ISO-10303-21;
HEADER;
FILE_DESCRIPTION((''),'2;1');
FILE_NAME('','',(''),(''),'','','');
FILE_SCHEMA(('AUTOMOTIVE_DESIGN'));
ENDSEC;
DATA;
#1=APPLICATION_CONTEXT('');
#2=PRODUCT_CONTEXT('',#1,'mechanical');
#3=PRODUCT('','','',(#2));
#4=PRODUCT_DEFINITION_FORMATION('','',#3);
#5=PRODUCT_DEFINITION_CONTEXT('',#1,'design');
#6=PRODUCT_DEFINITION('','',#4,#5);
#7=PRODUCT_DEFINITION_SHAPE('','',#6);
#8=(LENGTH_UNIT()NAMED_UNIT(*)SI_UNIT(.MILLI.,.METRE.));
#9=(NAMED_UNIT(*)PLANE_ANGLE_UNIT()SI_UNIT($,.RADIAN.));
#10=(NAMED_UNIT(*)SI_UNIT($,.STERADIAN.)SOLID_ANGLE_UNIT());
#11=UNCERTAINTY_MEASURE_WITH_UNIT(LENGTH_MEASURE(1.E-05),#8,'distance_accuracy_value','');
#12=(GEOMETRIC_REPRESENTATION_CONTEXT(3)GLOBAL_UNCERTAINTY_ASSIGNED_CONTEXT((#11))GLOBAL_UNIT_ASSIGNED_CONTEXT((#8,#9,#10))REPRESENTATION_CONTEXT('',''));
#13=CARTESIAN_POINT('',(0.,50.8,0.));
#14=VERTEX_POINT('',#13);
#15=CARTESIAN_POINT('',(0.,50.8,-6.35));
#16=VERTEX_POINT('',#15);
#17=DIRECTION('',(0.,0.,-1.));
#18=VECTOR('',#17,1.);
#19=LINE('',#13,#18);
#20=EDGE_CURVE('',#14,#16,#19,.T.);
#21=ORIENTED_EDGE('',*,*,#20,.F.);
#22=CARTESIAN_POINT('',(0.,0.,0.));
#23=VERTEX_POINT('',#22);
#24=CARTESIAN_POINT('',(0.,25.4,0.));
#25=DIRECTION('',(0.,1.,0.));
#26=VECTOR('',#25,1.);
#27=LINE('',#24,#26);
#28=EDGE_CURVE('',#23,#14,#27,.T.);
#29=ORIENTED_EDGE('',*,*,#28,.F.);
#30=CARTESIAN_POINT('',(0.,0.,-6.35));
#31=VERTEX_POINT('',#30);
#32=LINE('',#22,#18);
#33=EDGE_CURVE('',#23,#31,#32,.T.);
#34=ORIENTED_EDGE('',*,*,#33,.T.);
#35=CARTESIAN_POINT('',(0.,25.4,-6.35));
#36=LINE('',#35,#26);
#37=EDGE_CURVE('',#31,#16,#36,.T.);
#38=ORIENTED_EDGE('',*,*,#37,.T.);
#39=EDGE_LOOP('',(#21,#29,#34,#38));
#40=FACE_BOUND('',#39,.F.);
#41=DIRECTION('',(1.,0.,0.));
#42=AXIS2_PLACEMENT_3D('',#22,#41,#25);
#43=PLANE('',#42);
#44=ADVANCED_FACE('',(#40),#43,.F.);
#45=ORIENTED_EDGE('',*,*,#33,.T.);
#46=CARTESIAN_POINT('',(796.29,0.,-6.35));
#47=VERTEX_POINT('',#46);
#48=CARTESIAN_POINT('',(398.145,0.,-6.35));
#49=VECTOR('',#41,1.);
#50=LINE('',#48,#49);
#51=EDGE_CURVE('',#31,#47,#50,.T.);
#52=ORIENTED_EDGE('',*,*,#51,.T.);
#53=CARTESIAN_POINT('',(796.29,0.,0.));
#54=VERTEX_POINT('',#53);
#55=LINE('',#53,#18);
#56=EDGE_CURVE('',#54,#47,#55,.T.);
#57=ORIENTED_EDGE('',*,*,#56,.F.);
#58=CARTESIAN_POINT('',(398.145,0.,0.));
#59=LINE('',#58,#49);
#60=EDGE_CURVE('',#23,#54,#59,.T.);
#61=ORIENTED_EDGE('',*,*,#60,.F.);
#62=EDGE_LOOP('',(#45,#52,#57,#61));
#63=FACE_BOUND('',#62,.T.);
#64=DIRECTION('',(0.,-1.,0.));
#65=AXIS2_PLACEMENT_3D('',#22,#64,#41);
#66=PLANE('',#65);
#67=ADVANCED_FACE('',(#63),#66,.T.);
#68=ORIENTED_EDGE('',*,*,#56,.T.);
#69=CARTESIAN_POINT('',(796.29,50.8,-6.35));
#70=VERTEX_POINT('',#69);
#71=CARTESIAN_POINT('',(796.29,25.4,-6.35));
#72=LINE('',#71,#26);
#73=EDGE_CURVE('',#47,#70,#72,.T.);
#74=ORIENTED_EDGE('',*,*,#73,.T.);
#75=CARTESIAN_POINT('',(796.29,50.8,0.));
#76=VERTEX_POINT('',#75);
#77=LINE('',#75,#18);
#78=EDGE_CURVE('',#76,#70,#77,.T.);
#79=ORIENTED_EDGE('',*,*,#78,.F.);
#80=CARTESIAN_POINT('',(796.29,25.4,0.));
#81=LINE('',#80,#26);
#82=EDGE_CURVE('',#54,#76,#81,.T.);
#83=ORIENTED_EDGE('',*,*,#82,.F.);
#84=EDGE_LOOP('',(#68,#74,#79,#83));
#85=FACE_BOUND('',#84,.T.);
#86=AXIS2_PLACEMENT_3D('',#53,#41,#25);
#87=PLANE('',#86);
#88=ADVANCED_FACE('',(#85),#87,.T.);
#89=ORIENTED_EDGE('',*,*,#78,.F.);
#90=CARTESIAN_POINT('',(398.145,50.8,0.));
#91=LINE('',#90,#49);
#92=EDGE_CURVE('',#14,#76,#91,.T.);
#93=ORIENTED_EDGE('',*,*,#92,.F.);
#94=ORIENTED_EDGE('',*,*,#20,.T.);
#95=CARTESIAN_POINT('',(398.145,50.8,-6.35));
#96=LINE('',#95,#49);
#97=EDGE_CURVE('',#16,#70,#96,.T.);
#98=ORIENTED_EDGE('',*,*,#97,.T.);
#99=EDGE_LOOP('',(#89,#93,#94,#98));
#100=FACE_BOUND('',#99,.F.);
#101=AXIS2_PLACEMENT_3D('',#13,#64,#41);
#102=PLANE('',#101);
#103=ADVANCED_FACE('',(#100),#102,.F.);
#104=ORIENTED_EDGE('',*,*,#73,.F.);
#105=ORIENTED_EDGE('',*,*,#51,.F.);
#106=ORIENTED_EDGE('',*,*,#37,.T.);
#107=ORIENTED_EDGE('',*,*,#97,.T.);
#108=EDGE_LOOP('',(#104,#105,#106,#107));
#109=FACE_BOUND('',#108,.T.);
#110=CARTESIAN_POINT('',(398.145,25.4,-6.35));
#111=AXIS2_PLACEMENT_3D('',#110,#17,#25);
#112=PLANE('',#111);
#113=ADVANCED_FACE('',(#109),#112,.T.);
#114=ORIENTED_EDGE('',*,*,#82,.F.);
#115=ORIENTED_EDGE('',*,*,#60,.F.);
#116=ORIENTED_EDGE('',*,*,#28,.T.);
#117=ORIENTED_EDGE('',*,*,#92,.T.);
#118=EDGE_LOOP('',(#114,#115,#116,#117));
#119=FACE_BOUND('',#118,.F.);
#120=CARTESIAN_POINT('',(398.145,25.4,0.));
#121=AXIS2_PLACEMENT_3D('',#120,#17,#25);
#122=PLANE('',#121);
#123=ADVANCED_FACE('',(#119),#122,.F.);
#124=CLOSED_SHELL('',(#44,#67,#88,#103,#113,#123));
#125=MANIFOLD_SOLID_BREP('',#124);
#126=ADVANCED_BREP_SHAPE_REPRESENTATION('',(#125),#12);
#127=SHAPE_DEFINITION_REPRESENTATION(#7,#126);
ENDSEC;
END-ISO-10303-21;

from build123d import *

# Parameters (mm, degrees)
F0_W     = 50.8
F0_H     = 796.29
F1_DEPTH = 6.35
F2_ANGLE = 90


with BuildPart() as f1:
    # F0 (on Right) → F1 (new body)
    with BuildSketch(Plane.YZ):
        with Locations((25.4, 398.145)):
            Rectangle(F0_W, F0_H)
    extrude(amount=F1_DEPTH)


with BuildPart() as f1_1:
    # F2: moved
    add(f1.part.rotate(Axis((0, 25.4, 0), (0, 1, 0)), F2_ANGLE))


solid = f1_1.part
